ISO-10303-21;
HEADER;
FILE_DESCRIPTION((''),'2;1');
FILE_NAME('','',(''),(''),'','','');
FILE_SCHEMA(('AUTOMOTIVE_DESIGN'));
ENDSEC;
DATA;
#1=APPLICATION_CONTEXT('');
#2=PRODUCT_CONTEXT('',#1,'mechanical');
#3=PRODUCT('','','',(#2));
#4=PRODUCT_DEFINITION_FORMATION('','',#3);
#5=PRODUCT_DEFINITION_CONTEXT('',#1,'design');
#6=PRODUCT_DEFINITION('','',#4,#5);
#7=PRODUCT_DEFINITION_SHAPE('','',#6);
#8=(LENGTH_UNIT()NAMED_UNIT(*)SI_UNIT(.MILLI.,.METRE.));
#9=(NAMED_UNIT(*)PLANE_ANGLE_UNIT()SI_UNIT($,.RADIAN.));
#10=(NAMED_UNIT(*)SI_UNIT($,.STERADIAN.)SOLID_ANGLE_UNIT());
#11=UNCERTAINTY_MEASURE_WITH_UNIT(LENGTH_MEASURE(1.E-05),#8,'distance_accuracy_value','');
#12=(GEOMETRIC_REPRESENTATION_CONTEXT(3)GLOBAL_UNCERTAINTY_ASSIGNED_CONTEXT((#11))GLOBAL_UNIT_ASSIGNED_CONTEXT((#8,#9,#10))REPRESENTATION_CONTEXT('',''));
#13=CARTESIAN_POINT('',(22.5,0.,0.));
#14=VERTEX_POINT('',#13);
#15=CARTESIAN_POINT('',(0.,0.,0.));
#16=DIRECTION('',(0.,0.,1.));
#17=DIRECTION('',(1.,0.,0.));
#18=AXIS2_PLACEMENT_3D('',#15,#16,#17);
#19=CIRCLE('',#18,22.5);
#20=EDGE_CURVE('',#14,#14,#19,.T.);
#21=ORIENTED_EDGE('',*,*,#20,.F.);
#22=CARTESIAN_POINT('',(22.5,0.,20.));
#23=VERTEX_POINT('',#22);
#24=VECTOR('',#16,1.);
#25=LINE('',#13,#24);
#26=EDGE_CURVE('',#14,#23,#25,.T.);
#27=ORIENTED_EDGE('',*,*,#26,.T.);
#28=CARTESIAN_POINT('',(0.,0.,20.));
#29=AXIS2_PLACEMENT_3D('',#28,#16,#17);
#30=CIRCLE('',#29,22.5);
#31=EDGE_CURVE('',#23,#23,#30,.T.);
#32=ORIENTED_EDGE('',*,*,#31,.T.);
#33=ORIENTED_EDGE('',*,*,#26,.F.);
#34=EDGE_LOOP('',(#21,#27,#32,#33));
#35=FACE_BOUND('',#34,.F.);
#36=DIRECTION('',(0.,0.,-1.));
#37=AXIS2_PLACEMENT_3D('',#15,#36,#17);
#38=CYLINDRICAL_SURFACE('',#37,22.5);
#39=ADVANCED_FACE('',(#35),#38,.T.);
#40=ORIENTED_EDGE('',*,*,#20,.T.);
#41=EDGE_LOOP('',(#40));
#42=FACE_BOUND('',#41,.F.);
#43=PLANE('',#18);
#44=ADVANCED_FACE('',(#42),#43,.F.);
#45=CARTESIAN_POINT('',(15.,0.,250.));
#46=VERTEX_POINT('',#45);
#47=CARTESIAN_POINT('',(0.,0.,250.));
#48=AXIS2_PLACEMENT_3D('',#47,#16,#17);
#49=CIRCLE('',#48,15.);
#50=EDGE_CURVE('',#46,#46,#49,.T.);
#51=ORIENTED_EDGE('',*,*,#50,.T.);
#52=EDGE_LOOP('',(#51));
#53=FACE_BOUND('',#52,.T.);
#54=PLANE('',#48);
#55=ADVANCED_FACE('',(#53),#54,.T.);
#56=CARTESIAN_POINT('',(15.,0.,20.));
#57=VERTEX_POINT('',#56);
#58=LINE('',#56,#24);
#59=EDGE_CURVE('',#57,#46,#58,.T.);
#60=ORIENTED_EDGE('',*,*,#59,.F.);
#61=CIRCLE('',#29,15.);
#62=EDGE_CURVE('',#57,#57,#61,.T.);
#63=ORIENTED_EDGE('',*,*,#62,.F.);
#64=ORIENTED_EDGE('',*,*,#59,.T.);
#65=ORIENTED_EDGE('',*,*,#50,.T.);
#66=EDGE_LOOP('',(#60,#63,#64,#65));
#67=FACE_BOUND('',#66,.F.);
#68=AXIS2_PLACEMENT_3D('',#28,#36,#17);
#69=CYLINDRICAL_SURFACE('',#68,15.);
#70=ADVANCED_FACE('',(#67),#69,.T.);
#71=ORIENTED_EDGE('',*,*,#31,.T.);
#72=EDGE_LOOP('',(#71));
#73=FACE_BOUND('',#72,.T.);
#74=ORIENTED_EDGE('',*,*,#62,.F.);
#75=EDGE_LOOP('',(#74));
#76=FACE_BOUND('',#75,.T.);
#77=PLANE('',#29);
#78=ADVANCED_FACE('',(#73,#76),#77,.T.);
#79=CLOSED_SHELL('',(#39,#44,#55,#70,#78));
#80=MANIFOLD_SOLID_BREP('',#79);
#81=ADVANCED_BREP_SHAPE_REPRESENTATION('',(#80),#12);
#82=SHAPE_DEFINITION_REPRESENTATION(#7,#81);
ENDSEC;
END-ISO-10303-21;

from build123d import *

# Parameters (mm, degrees)
SKETCH1_R           = 22.5
BOSS_EXTRUDE1_DEPTH = 20
SKETCH2_R           = 15
BOSS_EXTRUDE2_DEPTH = 230


with BuildPart() as part:
    # Sketch1 → Boss-Extrude1 (new body)
    with BuildSketch(Plane.XY):
        Circle(SKETCH1_R)
    extrude(amount=BOSS_EXTRUDE1_DEPTH)

    # Sketch2 → Boss-Extrude2 (add)
    with BuildSketch(Plane.XY.offset(20)):
        Circle(SKETCH2_R)
    extrude(amount=BOSS_EXTRUDE2_DEPTH)


solid = part.part
